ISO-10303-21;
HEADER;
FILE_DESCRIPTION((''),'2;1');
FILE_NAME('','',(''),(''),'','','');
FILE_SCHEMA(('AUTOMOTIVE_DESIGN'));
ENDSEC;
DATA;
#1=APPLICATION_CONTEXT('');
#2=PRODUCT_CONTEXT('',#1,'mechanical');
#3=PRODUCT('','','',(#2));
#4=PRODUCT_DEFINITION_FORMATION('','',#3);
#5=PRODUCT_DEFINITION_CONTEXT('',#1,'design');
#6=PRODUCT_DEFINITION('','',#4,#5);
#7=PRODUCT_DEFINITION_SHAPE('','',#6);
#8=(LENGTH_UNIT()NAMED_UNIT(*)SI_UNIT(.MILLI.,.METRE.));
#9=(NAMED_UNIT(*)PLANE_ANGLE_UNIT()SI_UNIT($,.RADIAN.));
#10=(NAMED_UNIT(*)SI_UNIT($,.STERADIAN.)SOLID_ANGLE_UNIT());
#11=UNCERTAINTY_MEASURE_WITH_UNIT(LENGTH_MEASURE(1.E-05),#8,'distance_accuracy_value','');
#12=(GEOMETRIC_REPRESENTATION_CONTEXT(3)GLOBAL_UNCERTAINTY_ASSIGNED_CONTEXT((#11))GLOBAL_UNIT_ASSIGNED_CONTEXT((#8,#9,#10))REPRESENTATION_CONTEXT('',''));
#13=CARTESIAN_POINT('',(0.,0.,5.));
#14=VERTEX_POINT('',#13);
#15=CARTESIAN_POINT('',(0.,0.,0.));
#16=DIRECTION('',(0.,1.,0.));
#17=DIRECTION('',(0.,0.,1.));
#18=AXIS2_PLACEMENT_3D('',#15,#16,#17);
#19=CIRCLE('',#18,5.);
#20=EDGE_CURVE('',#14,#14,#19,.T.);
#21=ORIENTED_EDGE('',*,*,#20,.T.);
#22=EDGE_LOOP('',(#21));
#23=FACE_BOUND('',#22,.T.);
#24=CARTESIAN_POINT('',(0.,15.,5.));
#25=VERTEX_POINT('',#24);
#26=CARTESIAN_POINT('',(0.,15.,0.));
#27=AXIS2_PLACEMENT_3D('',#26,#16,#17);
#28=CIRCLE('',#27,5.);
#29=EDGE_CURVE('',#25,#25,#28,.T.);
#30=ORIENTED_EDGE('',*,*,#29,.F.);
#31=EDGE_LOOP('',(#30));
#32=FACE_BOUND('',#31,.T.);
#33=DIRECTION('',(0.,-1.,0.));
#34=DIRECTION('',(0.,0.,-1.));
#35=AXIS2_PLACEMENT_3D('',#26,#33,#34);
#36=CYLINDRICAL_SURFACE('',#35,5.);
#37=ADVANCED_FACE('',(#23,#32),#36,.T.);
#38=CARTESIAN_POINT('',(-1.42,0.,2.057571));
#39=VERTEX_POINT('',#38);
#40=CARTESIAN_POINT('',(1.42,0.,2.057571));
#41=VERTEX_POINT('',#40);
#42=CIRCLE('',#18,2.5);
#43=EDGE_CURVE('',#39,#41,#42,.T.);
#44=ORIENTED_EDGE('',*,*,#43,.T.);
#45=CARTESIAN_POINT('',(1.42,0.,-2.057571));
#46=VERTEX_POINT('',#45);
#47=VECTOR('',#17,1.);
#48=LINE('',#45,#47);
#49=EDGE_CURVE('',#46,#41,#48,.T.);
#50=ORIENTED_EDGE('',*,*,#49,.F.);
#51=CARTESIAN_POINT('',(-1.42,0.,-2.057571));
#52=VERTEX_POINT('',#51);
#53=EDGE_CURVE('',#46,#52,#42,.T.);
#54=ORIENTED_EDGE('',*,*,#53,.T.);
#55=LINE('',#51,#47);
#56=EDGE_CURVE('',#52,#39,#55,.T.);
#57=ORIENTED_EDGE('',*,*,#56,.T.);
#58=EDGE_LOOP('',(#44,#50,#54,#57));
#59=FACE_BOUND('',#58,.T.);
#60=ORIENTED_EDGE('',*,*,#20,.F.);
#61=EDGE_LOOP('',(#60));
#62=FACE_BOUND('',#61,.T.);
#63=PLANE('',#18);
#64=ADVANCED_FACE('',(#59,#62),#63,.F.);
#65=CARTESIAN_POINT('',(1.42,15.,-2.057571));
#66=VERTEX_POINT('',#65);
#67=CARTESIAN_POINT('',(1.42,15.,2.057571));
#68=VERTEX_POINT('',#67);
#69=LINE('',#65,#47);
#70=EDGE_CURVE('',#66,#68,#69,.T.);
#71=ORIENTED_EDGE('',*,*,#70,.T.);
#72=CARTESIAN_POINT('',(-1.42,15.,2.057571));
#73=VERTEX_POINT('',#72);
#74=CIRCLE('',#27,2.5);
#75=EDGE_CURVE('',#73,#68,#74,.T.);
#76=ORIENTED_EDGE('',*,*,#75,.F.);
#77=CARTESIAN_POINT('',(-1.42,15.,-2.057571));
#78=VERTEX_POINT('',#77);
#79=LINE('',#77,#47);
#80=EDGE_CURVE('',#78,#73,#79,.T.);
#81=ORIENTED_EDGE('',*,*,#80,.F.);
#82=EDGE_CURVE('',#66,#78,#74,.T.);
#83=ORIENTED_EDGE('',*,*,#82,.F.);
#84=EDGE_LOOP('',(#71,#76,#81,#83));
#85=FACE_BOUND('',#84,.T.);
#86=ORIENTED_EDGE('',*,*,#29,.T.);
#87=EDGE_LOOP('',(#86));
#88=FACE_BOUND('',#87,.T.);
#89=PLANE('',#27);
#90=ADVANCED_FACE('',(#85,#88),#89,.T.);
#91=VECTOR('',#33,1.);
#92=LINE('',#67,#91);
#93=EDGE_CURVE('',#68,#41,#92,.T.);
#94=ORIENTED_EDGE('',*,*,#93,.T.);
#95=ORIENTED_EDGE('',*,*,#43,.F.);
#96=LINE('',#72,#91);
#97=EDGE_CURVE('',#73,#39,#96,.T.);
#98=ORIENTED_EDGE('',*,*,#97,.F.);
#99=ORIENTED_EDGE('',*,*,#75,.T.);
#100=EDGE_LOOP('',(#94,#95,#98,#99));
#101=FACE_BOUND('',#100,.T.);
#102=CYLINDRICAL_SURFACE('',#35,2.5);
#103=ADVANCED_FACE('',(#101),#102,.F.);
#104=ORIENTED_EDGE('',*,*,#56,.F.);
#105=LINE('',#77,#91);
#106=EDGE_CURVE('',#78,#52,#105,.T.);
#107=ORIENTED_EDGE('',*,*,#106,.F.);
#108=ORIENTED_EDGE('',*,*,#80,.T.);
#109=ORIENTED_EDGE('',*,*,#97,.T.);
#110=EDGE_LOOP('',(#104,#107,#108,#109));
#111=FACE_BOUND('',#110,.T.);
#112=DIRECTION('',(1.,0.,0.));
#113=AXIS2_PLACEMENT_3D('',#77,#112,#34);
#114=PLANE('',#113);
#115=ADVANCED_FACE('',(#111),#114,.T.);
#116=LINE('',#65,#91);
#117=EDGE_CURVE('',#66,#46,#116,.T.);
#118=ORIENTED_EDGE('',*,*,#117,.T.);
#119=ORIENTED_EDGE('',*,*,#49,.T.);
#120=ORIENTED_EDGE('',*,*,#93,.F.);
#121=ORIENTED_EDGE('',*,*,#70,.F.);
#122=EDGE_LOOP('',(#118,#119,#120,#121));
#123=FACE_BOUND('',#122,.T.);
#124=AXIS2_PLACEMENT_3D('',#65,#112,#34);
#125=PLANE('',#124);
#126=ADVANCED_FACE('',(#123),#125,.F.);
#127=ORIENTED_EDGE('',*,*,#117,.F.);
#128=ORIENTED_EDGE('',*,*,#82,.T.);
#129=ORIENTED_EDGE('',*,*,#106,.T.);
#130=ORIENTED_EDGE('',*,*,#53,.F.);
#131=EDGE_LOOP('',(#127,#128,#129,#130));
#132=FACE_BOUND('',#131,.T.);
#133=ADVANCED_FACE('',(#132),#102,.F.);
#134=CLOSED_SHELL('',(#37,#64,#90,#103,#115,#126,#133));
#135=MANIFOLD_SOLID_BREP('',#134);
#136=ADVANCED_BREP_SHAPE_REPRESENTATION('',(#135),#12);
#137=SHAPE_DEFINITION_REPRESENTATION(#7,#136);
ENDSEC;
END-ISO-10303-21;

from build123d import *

# Parameters (mm, degrees)
SKETCH1_R           = 5
BOSS_EXTRUDE1_DEPTH = 15


with BuildPart() as part:
    # Sketch1 → Boss-Extrude1 (new body)
    with BuildSketch(Plane(origin=(0, 0, 0), x_dir=(1, 0, 0), z_dir=(0, 1, 0))):
        Circle(SKETCH1_R)
        with BuildLine():
            Line((-1.42, 2.057571384), (-1.42, -2.057571384))
            ThreePointArc((-1.42, -2.057571384), (0, -2.5), (1.42, -2.057571384))
            Line((1.42, -2.057571384), (1.42, 2.057571384))
            ThreePointArc((1.42, 2.057571384), (0, 2.5), (-1.42, 2.057571384))
        make_face(mode=Mode.SUBTRACT)
    extrude(amount=BOSS_EXTRUDE1_DEPTH)


solid = part.part
